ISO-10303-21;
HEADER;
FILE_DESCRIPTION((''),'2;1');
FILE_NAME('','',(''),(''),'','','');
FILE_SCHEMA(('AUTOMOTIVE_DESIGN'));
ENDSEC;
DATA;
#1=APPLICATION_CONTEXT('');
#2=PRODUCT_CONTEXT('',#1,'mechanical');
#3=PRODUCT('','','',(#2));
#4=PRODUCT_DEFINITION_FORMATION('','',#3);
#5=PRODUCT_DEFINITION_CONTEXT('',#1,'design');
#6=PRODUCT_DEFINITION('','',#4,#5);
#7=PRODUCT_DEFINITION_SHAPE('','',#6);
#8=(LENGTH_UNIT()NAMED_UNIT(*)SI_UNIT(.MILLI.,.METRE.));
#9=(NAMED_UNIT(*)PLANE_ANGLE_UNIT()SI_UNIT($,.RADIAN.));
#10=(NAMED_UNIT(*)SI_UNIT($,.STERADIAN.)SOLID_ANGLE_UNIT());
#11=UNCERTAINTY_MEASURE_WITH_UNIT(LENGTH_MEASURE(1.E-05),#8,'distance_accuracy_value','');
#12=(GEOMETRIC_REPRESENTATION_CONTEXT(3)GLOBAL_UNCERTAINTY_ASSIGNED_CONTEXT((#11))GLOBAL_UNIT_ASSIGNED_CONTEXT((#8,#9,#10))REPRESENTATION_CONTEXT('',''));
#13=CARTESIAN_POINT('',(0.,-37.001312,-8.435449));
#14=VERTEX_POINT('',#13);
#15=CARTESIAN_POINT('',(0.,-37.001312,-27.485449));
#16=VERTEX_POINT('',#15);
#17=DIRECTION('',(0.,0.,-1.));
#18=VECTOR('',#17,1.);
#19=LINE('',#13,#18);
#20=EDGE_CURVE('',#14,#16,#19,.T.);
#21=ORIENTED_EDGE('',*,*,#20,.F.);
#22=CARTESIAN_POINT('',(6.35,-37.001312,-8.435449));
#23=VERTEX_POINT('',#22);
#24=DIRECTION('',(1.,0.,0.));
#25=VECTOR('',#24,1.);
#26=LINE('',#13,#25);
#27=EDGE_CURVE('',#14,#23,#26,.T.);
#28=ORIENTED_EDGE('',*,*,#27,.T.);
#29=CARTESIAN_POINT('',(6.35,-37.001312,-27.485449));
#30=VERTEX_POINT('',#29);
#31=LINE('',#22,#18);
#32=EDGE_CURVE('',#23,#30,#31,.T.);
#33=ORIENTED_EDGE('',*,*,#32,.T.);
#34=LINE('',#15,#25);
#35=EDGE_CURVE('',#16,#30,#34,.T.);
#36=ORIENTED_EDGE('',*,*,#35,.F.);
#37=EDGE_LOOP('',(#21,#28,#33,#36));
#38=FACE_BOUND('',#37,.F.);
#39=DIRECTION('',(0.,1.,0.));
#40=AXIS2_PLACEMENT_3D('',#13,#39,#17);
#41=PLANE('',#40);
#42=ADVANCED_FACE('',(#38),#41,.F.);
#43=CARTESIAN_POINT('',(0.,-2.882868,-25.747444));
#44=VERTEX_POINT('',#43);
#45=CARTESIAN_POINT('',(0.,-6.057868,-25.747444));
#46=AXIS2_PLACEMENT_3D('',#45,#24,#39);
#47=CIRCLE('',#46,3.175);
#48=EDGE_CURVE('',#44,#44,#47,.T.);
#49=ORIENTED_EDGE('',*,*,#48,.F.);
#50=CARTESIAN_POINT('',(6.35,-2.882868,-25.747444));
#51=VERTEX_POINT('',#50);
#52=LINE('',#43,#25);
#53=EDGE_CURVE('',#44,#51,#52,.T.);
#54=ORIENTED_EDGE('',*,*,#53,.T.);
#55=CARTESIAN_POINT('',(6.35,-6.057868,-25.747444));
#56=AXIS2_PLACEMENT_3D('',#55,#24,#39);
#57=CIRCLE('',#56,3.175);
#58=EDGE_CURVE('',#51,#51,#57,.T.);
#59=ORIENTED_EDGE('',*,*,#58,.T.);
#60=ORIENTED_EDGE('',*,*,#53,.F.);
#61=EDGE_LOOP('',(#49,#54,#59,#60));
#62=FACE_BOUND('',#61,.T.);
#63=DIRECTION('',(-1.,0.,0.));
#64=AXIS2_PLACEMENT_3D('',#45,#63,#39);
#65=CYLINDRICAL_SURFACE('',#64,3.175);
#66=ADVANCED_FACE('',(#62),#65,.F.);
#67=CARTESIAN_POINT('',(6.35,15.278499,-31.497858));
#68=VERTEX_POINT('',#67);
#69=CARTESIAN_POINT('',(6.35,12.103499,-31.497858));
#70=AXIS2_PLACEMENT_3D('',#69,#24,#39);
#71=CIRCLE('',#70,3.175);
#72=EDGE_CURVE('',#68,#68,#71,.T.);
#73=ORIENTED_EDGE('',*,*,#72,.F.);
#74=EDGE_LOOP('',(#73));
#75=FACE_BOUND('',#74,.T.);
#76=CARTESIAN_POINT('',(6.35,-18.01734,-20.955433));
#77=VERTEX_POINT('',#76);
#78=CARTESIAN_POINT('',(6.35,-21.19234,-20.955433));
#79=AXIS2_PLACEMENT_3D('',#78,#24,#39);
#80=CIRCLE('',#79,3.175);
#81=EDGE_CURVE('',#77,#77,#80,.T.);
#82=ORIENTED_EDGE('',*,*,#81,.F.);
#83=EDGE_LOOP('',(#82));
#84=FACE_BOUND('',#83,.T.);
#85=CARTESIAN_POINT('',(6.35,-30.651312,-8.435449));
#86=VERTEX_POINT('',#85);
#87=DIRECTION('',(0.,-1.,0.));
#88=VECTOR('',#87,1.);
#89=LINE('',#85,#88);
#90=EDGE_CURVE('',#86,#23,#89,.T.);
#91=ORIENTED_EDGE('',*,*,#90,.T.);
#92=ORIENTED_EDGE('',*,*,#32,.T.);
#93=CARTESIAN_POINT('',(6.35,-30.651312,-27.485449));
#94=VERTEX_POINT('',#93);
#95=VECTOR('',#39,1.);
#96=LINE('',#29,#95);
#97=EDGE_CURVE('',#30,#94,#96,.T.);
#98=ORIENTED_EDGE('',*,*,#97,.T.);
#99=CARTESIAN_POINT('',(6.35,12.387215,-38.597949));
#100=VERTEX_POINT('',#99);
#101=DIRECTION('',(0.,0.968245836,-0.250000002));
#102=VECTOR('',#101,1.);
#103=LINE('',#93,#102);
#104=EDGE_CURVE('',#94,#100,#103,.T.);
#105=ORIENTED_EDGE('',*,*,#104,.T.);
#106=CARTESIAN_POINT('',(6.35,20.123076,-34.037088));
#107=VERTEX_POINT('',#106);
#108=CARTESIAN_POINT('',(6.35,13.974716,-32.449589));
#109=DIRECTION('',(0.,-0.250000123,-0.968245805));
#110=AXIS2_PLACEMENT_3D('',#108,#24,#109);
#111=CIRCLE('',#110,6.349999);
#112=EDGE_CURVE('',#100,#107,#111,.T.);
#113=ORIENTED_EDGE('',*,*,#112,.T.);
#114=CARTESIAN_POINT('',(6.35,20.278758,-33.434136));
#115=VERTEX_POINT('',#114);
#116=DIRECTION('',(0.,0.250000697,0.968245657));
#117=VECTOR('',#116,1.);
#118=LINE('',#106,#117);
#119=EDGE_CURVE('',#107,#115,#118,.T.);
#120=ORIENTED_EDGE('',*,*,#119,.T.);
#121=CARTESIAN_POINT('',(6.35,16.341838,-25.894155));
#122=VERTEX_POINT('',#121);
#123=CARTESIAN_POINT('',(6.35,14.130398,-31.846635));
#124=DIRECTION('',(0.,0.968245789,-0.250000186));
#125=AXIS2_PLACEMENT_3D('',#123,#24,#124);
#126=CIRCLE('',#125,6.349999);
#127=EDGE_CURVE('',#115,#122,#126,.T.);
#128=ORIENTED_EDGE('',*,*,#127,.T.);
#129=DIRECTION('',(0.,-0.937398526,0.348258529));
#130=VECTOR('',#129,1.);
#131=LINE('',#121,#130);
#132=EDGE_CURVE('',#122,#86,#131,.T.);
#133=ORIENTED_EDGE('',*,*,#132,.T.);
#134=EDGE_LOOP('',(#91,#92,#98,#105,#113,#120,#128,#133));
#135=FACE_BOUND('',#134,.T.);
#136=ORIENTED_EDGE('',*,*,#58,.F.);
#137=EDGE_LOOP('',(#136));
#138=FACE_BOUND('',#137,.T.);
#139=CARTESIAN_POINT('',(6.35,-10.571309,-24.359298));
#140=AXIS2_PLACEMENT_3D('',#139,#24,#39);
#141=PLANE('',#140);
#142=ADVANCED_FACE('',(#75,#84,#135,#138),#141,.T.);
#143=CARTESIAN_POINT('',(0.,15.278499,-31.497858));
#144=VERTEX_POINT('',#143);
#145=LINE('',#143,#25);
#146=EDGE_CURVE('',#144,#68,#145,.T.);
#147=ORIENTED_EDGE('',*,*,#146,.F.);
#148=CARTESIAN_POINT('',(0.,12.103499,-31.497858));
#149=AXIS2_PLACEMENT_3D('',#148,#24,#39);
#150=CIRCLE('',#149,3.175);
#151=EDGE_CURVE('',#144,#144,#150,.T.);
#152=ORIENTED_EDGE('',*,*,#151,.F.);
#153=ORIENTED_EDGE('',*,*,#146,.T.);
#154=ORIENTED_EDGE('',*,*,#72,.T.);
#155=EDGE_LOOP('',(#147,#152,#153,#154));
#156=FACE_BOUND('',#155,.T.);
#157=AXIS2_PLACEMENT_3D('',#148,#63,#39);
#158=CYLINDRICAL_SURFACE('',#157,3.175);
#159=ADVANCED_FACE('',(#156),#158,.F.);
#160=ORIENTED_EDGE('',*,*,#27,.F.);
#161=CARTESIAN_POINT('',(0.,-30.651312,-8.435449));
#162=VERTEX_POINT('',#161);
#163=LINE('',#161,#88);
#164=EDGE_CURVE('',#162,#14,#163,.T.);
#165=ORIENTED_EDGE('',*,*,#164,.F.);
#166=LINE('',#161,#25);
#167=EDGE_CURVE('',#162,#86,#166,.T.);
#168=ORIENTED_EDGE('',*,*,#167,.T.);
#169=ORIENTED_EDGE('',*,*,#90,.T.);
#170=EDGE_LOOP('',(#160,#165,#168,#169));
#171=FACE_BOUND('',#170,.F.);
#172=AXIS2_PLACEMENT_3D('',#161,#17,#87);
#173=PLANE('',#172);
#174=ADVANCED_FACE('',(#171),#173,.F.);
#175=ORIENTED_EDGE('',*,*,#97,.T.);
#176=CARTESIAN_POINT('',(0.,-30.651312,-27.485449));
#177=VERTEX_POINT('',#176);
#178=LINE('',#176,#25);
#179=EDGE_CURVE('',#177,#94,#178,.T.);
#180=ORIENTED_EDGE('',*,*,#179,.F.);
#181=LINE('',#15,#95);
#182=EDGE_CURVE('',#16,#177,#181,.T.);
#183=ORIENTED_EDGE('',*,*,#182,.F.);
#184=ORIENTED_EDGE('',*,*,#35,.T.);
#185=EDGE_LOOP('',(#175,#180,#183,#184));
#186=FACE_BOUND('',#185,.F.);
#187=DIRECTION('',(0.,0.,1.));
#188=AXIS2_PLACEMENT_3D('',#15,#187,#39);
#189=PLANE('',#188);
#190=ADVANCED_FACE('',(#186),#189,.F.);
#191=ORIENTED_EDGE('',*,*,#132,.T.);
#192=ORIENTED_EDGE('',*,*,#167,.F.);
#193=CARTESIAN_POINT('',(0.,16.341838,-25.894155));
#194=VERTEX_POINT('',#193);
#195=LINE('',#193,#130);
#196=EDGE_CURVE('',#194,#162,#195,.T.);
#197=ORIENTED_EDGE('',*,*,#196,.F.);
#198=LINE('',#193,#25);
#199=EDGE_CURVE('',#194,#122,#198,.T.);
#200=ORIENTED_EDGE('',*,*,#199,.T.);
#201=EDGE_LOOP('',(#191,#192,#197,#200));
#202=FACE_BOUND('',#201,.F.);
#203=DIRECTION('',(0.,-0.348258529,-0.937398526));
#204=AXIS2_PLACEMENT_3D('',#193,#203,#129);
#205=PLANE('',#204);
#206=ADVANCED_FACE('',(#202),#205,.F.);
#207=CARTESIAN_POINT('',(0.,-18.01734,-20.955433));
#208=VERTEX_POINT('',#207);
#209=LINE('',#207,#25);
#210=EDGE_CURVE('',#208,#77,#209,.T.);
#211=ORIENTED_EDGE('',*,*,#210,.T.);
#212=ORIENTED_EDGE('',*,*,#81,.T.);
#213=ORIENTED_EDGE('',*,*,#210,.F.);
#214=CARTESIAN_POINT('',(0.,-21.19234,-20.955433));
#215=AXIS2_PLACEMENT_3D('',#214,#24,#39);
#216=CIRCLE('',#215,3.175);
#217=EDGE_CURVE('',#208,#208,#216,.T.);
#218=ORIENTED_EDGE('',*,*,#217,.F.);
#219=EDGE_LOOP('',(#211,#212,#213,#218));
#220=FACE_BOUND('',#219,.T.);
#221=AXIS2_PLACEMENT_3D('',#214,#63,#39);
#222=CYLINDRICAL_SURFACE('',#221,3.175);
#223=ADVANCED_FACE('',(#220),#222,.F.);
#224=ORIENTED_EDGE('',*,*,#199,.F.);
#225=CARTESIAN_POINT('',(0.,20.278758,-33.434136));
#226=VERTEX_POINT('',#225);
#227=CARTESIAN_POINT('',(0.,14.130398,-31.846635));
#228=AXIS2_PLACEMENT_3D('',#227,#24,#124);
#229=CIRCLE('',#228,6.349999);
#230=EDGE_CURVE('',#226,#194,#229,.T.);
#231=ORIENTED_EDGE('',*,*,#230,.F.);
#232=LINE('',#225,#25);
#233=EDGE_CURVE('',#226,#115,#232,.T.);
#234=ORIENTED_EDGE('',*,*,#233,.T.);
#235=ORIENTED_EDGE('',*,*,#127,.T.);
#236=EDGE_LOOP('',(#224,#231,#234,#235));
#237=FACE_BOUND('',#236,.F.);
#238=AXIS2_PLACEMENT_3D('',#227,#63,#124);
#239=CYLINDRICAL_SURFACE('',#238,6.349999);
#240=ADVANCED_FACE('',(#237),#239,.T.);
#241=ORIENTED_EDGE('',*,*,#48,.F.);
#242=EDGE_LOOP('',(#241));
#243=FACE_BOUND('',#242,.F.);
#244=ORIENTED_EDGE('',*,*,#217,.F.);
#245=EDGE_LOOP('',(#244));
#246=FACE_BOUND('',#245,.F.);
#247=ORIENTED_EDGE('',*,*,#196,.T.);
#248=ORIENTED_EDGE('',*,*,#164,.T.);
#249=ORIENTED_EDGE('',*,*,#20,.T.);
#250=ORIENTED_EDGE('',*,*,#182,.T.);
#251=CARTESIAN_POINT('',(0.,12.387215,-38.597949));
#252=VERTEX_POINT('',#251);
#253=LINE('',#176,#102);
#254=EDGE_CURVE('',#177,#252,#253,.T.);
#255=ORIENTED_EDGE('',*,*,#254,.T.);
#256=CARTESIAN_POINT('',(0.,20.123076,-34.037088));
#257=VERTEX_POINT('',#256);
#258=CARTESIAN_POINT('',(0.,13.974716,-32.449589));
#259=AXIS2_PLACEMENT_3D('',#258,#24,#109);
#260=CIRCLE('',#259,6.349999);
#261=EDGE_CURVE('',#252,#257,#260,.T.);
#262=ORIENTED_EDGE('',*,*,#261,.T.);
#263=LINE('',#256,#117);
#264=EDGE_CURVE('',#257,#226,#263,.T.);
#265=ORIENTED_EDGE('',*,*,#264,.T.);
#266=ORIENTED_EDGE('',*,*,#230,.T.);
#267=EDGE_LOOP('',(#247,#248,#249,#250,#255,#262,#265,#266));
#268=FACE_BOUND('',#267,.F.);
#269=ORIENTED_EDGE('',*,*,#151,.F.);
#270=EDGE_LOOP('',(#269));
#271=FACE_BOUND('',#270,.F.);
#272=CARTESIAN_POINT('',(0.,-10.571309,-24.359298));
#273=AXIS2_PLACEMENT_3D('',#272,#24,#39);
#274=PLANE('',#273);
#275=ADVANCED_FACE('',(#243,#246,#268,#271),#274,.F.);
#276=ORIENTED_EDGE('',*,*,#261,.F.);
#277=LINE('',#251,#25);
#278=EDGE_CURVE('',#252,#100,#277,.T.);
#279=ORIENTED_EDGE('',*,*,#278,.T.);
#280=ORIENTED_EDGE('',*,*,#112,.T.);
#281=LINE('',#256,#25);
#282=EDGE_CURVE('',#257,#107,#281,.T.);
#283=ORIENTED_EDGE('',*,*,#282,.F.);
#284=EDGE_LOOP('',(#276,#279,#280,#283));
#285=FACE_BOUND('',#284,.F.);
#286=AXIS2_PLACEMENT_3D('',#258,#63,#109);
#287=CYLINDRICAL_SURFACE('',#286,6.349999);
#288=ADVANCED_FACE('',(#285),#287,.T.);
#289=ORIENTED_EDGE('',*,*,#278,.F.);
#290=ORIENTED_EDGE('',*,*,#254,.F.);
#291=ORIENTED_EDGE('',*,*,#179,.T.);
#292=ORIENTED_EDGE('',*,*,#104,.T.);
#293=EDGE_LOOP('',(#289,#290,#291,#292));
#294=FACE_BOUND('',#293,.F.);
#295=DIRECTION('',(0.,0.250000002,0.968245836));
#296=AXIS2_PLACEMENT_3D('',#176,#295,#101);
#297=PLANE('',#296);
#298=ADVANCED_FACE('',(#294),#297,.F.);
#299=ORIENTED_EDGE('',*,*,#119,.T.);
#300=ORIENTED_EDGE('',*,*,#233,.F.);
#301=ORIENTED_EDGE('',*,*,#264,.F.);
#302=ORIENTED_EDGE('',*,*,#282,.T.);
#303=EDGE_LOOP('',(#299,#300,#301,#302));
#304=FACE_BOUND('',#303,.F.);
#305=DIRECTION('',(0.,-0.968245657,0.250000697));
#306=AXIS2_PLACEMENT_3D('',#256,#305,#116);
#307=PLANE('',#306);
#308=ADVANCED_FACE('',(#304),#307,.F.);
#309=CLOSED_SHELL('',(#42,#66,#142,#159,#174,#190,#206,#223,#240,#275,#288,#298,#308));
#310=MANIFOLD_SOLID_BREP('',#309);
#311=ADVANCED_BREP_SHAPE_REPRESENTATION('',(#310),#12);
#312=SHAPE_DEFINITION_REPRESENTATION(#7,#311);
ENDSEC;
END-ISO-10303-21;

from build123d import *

# Parameters (mm, degrees)
F0_R     = 3.175
F1_DEPTH = 6.35


with BuildPart() as f1:
    # F0 (on Right) → F1 (new body)
    with BuildSketch(Plane.YZ):
        with BuildLine():
            Line((-30.651312, -8.435449), (-37.001312, -8.435449))
            Line((-37.001312, -8.435449), (-37.001312, -27.485449))
            Line((-37.001312, -27.485449), (-30.651312, -27.485449))
            Line((-30.651312, -27.485449), (12.387215, -38.597949))
            ThreePointArc((12.387215, -38.597949), (17.199731, -37.919668), (20.123076, -34.037088))
            Line((20.123076, -34.037088), (20.278758, -33.434136))
            ThreePointArc((20.278758, -33.434136), (19.759287, -28.907571), (16.341838, -25.894155))
            Line((16.341838, -25.894155), (-30.651312, -8.435449))
        make_face()
        with Locations((12.103499, -31.497858)):
            Circle(F0_R, mode=Mode.SUBTRACT)
        with Locations((-6.057868, -25.747444)):
            Circle(F0_R, mode=Mode.SUBTRACT)
        with Locations((-21.19234, -20.955433)):
            Circle(F0_R, mode=Mode.SUBTRACT)
    extrude(amount=F1_DEPTH)


solid = f1.part
